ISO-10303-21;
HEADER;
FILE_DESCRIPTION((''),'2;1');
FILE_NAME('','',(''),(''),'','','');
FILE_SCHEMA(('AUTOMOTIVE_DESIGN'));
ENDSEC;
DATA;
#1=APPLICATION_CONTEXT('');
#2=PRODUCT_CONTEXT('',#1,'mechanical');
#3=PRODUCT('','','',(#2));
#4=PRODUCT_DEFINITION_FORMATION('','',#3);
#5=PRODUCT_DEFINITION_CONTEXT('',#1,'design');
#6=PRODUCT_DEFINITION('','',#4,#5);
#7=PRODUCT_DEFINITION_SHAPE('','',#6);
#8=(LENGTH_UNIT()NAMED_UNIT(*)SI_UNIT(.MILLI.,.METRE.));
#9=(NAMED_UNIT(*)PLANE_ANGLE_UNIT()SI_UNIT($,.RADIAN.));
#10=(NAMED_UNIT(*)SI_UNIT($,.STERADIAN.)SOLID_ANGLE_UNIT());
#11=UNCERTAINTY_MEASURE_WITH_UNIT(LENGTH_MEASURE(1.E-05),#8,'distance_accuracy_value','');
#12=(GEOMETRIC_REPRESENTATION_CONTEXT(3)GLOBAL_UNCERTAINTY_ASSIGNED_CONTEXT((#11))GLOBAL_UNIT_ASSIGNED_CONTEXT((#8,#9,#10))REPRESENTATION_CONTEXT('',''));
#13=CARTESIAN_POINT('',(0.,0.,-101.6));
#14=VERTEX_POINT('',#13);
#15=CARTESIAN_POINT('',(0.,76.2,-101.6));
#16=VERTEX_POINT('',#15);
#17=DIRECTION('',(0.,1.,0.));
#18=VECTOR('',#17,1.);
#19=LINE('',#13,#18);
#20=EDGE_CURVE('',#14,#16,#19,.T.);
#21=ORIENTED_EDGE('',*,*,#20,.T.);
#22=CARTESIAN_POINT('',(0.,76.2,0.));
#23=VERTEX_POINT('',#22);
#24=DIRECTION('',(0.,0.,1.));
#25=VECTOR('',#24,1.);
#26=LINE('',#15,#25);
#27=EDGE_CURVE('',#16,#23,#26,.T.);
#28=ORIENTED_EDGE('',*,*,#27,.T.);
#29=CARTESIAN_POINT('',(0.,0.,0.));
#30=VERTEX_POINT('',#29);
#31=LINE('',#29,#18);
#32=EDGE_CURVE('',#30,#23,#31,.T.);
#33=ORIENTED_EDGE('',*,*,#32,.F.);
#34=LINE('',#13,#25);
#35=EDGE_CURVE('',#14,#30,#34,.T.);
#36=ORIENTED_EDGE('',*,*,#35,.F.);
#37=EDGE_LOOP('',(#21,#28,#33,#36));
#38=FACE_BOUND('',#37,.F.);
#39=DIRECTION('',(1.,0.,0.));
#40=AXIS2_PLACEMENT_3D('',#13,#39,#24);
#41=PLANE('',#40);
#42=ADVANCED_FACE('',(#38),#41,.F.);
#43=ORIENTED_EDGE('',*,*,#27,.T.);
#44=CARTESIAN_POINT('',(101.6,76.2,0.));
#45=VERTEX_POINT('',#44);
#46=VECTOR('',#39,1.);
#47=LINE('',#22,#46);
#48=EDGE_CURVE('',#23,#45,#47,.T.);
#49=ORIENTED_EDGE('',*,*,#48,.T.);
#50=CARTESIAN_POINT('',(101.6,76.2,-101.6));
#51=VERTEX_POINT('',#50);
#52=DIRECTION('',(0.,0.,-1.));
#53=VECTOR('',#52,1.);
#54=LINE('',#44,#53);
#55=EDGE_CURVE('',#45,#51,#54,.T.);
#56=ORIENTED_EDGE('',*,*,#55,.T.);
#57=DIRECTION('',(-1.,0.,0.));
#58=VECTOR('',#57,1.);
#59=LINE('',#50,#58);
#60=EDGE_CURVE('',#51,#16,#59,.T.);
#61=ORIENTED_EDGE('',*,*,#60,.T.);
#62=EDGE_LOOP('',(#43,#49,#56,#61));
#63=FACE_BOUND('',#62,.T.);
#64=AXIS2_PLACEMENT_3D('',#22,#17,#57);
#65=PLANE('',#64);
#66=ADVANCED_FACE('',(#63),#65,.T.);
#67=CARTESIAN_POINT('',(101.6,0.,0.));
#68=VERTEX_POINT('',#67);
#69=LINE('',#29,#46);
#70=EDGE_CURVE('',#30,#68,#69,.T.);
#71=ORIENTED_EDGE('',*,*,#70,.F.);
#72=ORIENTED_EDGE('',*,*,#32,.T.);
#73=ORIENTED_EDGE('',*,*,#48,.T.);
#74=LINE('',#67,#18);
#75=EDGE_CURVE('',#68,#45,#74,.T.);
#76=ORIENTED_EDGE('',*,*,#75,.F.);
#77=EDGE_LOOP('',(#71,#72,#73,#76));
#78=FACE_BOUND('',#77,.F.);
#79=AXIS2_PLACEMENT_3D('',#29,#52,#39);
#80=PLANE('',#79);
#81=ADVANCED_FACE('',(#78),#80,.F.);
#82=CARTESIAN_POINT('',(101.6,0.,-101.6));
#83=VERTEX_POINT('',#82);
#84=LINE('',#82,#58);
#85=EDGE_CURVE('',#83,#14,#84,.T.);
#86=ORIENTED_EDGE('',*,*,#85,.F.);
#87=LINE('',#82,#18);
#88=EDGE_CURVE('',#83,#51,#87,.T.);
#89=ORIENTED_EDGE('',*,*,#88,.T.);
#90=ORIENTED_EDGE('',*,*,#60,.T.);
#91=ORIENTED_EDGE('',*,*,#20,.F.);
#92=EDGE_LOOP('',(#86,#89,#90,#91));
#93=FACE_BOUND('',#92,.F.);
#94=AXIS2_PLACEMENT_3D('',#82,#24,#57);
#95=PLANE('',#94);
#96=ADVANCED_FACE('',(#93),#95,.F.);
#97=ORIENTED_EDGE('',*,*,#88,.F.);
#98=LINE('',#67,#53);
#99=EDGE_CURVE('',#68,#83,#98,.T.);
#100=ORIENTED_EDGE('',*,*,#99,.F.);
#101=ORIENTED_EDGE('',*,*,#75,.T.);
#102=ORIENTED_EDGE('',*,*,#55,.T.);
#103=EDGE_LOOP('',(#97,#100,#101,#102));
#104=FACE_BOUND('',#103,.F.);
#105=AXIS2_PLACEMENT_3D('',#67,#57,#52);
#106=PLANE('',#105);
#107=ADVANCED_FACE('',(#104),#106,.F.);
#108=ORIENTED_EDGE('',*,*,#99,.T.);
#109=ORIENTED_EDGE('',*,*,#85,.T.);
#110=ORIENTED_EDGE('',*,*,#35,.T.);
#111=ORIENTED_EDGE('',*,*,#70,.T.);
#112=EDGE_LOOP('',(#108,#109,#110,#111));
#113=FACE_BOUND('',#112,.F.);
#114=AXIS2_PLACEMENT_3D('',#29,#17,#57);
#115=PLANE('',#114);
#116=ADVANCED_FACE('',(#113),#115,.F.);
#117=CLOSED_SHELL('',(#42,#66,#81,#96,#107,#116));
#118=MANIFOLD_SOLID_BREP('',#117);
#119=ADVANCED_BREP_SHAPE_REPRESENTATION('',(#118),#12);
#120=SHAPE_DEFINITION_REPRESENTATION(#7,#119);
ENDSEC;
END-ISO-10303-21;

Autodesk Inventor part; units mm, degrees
ref_plane "YZ Plane" through (0, 0, 0) normal (1, 0, 0) x (0, 1, 0)
ref_plane "XZ Plane" through (0, 0, 0) normal (0, 1, 0) x (-1, 0, 0)
ref_plane "XY Plane" through (0, 0, 0) normal (0, 0, 1) x (1, 0, 0)
sketch "Sketch1" plane through (0, 0, 0) normal (0, 1, 0) x (-1, 0, 0)
  line L0 (0, 0) -> (-101.6, 0)
  line L1 (-101.6, 0) -> (-101.6, -101.6)
  line L2 (-101.6, -101.6) -> (0, -101.6)
  line L3 (0, -101.6) -> (0, 0)
  dimension "d0" = 101.6
  dimension "d1" = 101.6
extrude "Extrusion1" add sketch "Sketch1" along normal blind 76.2
properties part number "Setts" material "Granite, Cut, Polished"
